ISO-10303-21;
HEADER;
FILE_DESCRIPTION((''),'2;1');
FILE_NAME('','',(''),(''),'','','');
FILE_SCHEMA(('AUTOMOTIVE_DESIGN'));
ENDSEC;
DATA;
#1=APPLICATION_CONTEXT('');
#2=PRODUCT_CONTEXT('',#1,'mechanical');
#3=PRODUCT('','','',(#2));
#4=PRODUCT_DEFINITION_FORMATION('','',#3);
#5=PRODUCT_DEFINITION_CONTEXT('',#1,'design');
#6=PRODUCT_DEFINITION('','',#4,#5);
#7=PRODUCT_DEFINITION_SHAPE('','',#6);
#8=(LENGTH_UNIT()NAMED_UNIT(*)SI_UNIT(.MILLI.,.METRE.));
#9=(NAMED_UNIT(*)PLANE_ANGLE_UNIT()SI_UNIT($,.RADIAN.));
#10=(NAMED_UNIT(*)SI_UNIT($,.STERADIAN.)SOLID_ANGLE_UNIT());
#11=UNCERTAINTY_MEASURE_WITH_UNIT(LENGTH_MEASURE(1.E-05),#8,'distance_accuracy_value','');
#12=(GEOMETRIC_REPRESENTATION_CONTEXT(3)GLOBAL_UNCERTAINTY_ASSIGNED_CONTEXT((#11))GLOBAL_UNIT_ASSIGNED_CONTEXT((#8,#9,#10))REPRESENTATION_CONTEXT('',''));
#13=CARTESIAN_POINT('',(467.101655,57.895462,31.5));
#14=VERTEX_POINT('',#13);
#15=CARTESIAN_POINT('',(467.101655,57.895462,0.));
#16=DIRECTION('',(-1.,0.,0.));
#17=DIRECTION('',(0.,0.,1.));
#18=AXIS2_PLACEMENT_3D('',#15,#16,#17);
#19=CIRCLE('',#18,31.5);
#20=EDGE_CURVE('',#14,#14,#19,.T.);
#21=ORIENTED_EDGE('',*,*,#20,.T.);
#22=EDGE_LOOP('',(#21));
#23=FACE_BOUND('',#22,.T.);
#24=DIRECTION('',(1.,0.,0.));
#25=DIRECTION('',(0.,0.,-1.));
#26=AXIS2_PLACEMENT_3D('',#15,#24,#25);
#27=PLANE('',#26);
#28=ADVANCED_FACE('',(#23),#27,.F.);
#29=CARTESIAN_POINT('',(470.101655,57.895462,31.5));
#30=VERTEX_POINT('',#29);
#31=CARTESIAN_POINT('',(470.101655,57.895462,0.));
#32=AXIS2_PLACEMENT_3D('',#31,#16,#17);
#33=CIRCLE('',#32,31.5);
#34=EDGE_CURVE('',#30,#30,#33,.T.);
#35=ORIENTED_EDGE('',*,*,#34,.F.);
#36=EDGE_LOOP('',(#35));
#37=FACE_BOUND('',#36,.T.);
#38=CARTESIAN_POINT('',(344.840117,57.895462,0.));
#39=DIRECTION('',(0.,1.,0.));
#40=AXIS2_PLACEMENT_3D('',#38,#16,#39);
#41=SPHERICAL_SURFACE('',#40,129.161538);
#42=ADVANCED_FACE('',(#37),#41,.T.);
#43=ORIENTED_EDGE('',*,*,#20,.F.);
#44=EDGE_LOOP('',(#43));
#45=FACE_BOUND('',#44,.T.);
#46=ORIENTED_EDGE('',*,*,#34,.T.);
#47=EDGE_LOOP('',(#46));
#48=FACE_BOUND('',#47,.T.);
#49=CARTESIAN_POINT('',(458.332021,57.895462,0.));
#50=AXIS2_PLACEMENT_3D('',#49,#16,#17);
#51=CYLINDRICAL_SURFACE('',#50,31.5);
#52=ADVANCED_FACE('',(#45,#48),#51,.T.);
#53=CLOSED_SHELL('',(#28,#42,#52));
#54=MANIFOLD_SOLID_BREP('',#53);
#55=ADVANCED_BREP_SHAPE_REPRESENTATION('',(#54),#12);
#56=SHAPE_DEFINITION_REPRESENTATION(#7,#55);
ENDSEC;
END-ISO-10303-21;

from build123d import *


with BuildPart() as part:
    # 草图1 → 旋转1 (revolve)
    with BuildSketch(Plane.XY):
        with BuildLine():
            Line((467.101655019, 57.89546231), (467.101655019, 89.39546231))
            Line((467.101655019, 89.39546231), (470.101655019, 89.39546231))
            ThreePointArc((470.101655019, 89.39546231), (473.02294699, 73.765717507), (474.001655019, 57.89546231))
            Line((474.001655019, 57.89546231), (467.101655019, 57.89546231))
        make_face()
    revolve(axis=Axis((458.332020755, 57.89546231, 0), (1, 0, 0)))


solid = part.part
